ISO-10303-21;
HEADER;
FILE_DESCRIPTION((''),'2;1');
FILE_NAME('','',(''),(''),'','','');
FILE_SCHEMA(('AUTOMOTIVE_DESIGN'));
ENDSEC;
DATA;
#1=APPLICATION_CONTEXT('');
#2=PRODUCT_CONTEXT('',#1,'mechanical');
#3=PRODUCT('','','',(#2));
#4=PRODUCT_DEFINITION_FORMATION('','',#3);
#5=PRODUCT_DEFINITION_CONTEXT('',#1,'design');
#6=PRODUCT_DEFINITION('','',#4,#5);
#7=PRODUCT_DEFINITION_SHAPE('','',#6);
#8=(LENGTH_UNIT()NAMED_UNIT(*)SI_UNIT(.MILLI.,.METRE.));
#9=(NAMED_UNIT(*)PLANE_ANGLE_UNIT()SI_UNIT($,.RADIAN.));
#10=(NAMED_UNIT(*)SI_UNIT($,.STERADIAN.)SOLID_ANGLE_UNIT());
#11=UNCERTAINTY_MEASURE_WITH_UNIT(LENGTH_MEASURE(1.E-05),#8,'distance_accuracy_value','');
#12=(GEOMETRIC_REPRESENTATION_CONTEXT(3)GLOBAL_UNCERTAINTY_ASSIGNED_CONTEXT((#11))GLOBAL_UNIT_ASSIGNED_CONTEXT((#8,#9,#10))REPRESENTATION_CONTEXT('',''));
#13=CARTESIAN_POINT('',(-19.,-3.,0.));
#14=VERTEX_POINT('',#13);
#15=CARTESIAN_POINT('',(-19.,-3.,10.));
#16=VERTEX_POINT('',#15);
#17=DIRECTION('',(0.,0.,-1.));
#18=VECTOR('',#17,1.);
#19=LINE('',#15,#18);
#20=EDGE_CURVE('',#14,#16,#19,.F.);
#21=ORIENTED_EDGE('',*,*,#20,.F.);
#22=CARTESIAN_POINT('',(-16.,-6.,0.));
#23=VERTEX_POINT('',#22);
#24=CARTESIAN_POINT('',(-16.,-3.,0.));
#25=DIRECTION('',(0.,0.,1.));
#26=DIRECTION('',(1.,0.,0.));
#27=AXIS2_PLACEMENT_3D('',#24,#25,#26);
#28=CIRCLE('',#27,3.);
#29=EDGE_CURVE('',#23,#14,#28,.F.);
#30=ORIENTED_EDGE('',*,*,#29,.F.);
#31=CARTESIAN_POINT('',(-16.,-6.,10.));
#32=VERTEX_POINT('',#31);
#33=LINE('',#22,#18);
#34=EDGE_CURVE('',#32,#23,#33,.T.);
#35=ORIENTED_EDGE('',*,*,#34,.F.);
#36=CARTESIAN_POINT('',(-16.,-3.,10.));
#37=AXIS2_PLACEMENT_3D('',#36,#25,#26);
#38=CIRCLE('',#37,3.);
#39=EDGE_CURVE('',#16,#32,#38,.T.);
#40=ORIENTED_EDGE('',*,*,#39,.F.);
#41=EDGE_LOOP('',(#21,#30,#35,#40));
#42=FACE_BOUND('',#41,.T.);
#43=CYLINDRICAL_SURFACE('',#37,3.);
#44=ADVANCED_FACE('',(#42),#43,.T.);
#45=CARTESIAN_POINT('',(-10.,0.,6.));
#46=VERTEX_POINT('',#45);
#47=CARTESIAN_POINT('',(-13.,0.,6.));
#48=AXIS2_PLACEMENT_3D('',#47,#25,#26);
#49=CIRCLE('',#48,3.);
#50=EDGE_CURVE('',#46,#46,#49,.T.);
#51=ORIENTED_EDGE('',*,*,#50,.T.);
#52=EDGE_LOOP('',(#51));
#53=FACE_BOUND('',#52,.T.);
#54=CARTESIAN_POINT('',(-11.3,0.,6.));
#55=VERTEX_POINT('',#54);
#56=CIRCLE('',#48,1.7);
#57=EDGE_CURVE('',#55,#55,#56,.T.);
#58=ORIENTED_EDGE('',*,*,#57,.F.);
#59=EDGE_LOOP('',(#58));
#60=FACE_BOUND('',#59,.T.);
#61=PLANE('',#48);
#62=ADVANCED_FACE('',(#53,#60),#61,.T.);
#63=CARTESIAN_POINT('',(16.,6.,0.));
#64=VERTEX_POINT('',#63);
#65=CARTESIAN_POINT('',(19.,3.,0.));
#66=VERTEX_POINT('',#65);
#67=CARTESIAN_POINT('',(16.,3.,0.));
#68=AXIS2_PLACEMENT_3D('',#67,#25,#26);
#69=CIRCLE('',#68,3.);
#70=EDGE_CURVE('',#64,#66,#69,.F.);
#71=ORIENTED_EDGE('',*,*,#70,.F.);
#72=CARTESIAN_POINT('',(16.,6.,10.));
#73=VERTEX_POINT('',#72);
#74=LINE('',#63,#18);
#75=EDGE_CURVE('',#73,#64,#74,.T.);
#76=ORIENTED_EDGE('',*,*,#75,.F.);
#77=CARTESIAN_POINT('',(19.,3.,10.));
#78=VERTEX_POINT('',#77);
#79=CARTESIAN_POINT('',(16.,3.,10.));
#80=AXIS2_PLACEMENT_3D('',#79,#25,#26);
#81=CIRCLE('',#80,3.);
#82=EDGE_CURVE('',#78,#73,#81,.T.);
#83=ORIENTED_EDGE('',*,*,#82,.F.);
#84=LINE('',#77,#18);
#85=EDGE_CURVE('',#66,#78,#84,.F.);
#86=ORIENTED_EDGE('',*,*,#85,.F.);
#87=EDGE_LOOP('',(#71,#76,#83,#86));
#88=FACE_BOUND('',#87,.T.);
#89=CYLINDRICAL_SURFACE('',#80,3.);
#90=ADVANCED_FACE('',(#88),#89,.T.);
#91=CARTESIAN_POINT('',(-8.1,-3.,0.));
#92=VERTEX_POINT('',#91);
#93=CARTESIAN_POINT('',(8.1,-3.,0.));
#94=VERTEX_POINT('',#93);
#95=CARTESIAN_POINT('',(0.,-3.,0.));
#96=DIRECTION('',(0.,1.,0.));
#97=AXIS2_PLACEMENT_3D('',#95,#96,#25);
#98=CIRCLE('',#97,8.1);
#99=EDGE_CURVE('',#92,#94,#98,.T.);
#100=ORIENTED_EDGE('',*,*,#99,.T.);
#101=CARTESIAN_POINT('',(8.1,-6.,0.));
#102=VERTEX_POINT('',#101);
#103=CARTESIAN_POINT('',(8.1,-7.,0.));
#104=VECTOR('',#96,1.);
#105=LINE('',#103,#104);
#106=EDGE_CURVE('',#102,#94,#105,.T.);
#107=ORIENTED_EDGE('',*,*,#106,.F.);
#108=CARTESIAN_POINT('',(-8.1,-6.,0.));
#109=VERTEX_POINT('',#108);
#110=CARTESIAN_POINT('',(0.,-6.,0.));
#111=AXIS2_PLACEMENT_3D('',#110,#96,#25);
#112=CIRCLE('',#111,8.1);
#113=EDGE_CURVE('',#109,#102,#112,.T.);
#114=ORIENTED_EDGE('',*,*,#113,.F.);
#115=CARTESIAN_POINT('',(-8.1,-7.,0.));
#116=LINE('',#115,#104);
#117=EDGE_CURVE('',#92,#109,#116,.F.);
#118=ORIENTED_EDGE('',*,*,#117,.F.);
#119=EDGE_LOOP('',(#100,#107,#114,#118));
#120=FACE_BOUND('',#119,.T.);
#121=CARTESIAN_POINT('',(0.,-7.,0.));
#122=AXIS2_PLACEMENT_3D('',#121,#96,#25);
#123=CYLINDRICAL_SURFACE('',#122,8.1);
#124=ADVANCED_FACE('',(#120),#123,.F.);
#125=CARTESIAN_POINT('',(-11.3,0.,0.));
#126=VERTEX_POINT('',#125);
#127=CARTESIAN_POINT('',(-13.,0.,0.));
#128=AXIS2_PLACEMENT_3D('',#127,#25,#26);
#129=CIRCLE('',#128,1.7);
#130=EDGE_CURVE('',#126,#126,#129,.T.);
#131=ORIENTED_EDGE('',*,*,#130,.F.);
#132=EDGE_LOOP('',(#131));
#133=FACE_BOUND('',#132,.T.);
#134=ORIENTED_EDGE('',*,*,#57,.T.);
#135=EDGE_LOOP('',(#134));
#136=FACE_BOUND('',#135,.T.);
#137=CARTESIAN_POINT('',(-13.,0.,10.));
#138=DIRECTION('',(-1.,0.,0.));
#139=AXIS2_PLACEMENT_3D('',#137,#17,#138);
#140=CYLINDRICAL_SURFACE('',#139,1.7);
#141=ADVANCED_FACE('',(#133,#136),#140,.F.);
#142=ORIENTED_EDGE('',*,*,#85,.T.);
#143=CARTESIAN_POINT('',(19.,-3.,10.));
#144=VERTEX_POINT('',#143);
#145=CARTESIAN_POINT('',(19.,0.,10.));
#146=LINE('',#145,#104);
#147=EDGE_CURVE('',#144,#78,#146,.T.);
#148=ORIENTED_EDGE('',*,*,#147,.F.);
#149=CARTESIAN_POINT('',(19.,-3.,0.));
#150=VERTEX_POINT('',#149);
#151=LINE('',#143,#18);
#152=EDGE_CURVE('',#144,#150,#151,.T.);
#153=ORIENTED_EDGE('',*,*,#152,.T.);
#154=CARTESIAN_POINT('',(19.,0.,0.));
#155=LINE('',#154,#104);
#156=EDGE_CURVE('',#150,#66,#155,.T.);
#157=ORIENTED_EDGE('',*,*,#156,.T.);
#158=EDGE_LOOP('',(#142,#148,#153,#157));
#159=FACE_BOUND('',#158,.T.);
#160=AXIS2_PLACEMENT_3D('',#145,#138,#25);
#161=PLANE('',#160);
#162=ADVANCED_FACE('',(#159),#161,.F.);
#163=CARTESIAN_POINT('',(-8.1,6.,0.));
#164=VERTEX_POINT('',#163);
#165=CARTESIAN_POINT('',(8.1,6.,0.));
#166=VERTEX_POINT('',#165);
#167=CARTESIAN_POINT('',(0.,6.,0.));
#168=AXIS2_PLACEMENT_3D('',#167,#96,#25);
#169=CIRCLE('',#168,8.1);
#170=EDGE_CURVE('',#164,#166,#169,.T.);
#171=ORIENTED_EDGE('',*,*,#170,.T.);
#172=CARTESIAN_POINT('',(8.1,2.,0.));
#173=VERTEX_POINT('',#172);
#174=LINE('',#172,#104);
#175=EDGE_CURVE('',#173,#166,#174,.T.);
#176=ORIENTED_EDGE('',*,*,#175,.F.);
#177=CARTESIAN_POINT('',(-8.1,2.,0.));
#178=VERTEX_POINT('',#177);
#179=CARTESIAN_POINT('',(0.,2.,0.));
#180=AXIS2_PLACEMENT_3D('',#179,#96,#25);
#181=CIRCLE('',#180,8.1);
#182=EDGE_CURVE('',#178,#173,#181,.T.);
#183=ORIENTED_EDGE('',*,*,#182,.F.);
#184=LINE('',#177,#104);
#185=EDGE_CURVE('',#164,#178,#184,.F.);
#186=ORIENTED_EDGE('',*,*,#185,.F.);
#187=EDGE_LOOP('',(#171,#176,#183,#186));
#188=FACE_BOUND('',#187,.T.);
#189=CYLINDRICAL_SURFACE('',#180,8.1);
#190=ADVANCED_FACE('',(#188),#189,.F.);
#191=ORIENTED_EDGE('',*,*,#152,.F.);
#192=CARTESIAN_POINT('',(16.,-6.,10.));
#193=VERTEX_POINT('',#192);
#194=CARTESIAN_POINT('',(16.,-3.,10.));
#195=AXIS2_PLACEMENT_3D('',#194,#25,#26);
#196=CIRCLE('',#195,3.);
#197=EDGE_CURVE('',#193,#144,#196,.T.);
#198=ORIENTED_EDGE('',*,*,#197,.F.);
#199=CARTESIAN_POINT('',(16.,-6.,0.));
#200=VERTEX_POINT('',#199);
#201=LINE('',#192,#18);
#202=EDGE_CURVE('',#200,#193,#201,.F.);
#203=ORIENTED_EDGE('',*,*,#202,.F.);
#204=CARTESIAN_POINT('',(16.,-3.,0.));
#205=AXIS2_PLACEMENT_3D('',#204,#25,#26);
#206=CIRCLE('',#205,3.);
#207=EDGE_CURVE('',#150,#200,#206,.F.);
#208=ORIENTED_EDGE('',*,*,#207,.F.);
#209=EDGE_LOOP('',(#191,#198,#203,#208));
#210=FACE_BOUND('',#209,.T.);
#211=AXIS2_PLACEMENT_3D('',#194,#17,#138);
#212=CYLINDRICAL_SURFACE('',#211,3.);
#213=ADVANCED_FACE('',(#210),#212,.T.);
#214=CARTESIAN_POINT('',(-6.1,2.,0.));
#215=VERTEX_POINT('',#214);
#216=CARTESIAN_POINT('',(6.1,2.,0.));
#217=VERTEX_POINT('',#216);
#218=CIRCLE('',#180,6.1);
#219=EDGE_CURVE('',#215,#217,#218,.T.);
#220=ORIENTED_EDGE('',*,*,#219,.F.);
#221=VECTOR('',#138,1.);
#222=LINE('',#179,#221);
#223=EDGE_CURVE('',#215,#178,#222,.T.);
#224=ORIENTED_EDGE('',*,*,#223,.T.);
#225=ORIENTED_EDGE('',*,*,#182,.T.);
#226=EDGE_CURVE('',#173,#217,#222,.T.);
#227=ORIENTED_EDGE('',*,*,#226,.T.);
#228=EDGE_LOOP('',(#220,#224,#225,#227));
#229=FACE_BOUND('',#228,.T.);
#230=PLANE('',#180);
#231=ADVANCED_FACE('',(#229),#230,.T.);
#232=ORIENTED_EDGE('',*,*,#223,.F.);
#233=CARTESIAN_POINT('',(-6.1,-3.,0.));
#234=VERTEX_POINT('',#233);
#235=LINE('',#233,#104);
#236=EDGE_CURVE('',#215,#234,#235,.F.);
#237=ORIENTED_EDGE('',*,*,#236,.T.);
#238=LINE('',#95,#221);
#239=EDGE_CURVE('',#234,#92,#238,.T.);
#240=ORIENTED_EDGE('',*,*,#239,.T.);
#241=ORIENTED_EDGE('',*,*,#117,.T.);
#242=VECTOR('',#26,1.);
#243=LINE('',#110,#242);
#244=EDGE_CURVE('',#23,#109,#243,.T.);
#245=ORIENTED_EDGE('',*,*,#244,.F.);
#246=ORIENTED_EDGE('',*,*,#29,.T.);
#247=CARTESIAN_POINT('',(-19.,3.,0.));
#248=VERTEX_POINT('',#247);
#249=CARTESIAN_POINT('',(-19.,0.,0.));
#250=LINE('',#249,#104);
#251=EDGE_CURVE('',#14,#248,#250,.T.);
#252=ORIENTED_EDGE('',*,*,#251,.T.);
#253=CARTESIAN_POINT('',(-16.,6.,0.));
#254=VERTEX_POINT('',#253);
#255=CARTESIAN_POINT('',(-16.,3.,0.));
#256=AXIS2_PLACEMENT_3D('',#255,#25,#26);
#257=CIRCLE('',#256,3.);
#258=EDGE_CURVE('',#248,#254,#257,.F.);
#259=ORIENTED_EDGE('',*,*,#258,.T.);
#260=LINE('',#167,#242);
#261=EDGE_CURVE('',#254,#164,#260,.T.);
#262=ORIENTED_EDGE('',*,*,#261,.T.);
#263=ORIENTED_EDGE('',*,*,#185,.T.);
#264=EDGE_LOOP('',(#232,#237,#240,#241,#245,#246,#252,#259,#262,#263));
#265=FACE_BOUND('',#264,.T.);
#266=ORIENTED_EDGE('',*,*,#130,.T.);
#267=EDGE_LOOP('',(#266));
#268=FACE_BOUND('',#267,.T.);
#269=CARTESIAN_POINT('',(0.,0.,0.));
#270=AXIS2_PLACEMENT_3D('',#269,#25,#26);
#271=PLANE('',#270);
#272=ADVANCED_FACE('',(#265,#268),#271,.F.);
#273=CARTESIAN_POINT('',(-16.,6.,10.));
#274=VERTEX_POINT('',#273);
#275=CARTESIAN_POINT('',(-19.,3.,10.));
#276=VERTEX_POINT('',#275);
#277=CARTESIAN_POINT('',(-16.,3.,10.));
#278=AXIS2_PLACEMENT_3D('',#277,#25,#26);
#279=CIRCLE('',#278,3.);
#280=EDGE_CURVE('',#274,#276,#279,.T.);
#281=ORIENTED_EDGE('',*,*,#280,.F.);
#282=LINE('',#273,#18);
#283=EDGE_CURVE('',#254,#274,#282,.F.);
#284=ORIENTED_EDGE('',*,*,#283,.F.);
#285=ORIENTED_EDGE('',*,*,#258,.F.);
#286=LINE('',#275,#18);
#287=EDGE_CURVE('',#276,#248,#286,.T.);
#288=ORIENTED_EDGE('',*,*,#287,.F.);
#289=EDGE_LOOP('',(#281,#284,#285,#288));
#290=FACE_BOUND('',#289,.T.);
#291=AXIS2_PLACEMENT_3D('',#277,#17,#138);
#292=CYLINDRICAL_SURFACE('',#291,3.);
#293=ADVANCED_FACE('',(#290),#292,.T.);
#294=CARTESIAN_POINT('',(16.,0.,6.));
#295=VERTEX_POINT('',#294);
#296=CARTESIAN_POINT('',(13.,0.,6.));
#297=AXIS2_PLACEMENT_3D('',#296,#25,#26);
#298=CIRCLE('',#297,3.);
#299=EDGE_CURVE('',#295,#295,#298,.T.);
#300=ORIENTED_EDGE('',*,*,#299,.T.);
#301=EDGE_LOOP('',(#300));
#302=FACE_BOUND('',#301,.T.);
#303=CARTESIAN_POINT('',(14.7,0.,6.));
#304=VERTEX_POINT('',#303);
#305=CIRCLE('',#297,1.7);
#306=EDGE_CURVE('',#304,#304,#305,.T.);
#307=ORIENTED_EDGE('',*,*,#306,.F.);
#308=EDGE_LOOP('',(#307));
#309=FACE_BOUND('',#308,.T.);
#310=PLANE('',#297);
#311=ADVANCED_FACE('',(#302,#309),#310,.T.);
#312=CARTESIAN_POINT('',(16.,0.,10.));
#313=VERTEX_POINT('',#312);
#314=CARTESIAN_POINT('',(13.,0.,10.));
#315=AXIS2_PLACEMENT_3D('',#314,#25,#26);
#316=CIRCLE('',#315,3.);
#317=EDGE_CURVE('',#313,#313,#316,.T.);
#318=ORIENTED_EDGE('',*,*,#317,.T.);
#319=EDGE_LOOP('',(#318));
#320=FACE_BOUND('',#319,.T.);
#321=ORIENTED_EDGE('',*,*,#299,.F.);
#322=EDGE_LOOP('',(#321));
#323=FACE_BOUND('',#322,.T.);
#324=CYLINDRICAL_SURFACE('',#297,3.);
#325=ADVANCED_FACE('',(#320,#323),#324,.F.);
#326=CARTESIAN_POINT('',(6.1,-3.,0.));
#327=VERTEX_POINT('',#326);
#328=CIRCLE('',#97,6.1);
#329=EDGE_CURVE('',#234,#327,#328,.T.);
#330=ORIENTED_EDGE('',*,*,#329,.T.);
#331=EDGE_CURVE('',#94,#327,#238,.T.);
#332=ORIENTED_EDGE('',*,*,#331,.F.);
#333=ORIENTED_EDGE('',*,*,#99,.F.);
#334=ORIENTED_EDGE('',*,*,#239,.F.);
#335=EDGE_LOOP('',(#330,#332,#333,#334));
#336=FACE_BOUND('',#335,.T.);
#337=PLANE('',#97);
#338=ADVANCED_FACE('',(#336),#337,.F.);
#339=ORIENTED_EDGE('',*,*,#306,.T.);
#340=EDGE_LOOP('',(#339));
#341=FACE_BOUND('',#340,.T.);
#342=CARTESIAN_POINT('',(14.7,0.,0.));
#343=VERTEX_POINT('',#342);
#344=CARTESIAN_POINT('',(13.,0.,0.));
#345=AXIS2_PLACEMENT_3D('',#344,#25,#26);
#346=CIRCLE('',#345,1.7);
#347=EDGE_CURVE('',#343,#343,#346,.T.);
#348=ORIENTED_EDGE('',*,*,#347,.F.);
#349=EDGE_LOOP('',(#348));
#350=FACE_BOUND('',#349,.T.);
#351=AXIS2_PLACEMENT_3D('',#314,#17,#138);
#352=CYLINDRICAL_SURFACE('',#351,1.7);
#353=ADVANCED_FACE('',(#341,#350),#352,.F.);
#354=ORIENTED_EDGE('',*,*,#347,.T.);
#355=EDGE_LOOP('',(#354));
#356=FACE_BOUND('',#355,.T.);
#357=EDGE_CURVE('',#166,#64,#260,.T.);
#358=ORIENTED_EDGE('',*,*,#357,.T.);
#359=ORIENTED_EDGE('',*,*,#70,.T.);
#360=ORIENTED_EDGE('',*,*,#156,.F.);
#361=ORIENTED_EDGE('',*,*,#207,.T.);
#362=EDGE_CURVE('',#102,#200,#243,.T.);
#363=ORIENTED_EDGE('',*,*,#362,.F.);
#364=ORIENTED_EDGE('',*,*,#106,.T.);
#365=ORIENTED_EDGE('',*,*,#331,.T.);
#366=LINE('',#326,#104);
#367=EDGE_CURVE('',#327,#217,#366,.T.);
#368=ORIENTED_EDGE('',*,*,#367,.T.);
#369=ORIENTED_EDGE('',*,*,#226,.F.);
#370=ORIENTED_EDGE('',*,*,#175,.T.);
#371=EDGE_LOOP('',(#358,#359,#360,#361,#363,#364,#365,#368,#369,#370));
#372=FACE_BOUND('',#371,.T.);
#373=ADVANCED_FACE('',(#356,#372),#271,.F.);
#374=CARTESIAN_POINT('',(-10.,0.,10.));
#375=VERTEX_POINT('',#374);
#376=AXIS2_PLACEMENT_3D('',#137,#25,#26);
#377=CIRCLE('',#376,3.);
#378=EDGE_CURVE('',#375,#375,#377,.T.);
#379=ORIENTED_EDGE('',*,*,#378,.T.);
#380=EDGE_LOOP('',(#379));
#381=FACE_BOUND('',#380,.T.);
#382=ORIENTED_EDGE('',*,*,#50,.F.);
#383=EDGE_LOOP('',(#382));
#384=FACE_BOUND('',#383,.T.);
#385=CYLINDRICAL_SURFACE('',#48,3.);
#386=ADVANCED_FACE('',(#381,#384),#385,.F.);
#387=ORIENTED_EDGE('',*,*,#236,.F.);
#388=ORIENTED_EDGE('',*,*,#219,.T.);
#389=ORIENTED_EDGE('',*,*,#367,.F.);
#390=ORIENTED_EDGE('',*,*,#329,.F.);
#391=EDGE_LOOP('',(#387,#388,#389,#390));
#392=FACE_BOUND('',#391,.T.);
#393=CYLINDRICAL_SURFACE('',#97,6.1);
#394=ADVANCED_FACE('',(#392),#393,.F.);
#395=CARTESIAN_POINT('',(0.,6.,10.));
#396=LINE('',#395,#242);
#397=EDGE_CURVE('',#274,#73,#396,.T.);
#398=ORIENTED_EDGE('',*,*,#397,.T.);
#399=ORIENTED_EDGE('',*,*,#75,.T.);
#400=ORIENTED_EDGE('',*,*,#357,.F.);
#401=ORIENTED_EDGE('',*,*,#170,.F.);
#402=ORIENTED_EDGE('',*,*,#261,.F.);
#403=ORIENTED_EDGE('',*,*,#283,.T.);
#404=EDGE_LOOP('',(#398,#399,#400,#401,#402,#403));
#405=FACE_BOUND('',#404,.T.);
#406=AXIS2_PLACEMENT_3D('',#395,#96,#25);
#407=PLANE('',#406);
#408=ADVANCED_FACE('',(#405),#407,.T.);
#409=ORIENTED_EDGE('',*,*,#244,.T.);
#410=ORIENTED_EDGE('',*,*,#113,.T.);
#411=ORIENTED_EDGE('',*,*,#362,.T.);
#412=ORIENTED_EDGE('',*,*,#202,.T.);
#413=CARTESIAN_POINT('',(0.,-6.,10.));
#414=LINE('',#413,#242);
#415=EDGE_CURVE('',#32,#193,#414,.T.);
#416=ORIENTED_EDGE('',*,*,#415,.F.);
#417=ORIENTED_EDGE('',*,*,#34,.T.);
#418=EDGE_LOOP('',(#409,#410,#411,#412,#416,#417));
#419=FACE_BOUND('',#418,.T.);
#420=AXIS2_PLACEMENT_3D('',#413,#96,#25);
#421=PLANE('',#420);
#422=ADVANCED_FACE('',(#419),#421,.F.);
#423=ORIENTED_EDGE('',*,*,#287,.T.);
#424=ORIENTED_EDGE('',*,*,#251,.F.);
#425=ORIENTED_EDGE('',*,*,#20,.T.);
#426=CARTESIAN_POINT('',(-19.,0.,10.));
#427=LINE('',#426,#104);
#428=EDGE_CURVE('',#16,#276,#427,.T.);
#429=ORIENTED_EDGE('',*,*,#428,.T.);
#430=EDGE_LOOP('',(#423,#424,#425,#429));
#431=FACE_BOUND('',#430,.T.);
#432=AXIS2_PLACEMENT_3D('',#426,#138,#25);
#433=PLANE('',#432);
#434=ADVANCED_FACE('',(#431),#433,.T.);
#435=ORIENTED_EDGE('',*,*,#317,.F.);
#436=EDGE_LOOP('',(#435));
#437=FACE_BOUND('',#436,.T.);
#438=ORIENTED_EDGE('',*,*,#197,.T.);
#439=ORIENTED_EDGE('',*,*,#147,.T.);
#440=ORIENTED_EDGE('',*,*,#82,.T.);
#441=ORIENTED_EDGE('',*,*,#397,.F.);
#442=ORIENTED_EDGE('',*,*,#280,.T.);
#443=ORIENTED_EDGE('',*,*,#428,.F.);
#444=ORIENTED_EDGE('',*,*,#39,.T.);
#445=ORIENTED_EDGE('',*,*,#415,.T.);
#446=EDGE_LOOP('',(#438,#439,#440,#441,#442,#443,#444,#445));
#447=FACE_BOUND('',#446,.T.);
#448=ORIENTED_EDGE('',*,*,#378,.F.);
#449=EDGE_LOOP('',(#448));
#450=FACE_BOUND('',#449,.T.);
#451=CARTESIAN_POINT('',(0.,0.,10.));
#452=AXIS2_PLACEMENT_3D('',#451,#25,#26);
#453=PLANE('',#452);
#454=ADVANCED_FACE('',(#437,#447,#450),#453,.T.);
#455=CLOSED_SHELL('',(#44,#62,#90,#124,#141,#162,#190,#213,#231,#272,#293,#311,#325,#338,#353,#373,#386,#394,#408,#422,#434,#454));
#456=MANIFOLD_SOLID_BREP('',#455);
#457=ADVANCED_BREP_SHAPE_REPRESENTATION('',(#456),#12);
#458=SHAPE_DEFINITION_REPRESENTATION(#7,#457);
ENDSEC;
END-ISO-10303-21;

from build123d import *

# Parameters (mm, degrees)
ESBO_O1_W                = 38
ESBO_O1_H                = 12
ESBO_O1_R                = 1.7
RESSALTO_EXTRUS_O1_DEPTH = 10
FILETE1_R                = 3
ESBO_O2_R                = 8.1
CORTE_EXTRUS_O1_DEPTH    = 4
ESBO_O3_R                = 6.1
CORTE_EXTRUS_O2_DEPTH    = 5
CORTE_EXTRUS_O3_START    = -9
ESBO_O2_2_R              = 8.1
CORTE_EXTRUS_O3_DEPTH    = 4
ESBO_O4_R                = 3
CORTE_EXTRUS_O4_DEPTH    = 4


with BuildPart() as part:
    # Esboço1 → Ressalto-extrusão1 (new body)
    with BuildSketch(Plane.XY):
        Rectangle(ESBO_O1_W, ESBO_O1_H)
        with Locations((13, 0)):
            Circle(ESBO_O1_R, mode=Mode.SUBTRACT)
        with Locations((-13, 0)):
            Circle(ESBO_O1_R, mode=Mode.SUBTRACT)
    extrude(amount=RESSALTO_EXTRUS_O1_DEPTH)

    # Filete1
    filete1_edges = [part.edges().sort_by_distance(p)[0] for p in [
        (-19, -6, 5),
        (-19, 6, 5),
        (19, 6, 5),
        (19, -6, 5),
    ]]
    fillet(filete1_edges, radius=FILETE1_R)

    # Esboço2 → Corte-extrusão1 (cut)
    with BuildSketch(Plane(origin=(0, 6, 0), x_dir=(1, 0, 0), z_dir=(0, 1, 0))):
        Circle(ESBO_O2_R)
    extrude(amount=-CORTE_EXTRUS_O1_DEPTH, mode=Mode.SUBTRACT)

    # Esboço3 → Corte-extrusão2 (cut)
    with BuildSketch(Plane(origin=(0, 2, 0), x_dir=(1, 0, 0), z_dir=(0, 1, 0))):
        Circle(ESBO_O3_R)
    extrude(amount=-CORTE_EXTRUS_O2_DEPTH, mode=Mode.SUBTRACT)

    # Esboço2<2> → Corte-extrusão3 (cut)
    with BuildSketch(Plane(origin=(0, 6, 0), x_dir=(1, 0, 0), z_dir=(0, 1, 0)).offset(CORTE_EXTRUS_O3_START)):
        Circle(ESBO_O2_2_R)
    extrude(amount=-CORTE_EXTRUS_O3_DEPTH, mode=Mode.SUBTRACT)

    # Esboço4 → Corte-extrusão4 (cut)
    with BuildSketch(Plane.XY.offset(10)):
        with Locations((-13, 0)):
            Circle(ESBO_O4_R)
        with Locations((13, 0)):
            Circle(ESBO_O4_R)
    extrude(amount=-CORTE_EXTRUS_O4_DEPTH, mode=Mode.SUBTRACT)


solid = part.part
